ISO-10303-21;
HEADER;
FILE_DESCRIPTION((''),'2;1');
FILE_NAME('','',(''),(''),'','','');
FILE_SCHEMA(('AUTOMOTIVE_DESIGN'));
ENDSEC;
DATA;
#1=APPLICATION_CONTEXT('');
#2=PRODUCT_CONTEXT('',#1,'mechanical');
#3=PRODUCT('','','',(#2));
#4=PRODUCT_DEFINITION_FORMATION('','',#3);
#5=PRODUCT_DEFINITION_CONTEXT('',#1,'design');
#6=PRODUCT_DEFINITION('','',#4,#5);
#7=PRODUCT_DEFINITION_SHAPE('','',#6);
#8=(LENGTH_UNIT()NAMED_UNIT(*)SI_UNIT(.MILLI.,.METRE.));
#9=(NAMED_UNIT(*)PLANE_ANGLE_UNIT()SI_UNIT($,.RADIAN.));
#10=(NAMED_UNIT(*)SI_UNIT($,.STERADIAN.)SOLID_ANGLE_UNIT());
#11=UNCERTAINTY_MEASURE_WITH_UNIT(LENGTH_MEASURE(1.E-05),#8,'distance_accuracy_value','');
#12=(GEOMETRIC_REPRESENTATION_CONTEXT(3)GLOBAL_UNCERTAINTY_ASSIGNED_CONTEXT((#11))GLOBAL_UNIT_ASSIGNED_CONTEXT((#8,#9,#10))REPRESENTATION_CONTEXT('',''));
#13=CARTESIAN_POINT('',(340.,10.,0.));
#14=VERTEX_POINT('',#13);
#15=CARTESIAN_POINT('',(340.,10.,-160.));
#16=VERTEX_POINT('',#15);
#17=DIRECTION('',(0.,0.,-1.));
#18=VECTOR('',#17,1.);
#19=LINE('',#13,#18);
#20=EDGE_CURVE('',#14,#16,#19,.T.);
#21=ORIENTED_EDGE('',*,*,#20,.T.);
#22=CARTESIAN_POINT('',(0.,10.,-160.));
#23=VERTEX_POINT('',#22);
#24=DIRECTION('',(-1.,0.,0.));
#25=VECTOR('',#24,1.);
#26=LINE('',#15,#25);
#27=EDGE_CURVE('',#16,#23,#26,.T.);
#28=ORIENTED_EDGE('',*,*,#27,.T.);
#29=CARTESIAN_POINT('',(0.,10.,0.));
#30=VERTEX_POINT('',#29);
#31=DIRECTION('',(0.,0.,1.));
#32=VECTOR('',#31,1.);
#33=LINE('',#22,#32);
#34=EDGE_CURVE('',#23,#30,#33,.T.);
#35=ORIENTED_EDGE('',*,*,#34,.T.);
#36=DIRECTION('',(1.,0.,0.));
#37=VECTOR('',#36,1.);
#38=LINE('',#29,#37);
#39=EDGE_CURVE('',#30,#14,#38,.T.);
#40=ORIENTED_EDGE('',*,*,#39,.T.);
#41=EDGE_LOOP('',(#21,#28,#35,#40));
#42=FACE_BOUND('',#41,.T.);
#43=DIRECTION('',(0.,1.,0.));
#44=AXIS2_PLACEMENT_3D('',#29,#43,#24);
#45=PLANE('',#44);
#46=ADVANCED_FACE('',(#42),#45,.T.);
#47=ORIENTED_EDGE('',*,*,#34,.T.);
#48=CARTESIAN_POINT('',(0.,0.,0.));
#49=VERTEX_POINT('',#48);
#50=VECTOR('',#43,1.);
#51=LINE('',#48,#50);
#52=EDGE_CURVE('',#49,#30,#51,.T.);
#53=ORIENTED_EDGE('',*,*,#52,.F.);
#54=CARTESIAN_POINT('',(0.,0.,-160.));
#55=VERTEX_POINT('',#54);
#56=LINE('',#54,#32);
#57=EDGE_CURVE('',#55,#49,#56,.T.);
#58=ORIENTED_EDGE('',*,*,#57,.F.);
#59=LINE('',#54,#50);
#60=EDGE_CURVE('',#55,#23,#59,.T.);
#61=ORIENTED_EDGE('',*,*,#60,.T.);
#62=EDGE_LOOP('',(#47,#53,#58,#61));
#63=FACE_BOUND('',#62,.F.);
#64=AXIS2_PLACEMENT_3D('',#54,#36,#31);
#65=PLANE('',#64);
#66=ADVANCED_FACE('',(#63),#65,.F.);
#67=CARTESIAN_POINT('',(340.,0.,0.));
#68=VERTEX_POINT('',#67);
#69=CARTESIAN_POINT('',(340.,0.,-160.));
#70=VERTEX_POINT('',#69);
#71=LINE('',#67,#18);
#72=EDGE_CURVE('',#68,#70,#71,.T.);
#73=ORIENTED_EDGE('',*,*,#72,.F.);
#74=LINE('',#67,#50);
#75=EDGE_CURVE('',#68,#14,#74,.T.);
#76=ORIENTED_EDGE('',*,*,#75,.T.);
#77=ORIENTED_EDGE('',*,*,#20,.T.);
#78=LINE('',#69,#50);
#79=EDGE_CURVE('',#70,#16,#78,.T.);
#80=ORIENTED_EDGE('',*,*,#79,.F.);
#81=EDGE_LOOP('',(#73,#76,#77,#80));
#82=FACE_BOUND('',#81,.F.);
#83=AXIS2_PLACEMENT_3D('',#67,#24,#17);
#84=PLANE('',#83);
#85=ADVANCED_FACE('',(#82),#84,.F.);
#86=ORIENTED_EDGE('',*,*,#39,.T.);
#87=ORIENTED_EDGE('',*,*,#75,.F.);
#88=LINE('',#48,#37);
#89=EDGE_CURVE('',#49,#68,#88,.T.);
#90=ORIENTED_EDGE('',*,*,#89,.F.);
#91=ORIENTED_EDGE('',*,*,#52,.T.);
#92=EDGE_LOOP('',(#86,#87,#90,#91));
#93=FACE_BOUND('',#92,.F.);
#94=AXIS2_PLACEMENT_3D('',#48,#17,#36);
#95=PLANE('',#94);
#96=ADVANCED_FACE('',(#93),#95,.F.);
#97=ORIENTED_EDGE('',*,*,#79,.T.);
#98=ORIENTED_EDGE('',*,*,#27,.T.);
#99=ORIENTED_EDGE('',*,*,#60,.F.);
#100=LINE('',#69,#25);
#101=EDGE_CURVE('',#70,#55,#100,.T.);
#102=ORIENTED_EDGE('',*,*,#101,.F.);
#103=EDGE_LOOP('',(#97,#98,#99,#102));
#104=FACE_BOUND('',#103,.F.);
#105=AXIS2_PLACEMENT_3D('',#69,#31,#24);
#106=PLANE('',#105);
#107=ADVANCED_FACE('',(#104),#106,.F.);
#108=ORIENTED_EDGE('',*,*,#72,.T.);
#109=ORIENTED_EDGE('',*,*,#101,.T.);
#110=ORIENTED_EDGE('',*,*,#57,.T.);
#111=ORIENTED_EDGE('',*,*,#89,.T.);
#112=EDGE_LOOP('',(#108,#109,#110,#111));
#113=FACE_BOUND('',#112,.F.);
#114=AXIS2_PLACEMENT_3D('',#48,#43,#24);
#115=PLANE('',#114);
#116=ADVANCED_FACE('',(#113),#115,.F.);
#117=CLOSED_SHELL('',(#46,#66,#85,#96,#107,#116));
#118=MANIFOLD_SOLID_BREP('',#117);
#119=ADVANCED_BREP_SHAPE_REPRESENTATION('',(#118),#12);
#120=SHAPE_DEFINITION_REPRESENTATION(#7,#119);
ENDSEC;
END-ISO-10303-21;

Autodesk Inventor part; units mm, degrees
ref_plane "YZ Plane" through (0, 0, 0) normal (1, 0, 0) x (0, 1, 0)
ref_plane "XZ Plane" through (0, 0, 0) normal (0, 1, 0) x (-1, 0, 0)
ref_plane "XY Plane" through (0, 0, 0) normal (0, 0, 1) x (1, 0, 0)
sketch "Sketch1" plane through (0, 0, 0) normal (0, 1, 0) x (-1, 0, 0)
  line L0 (0, 0) -> (-340, 0)
  line L1 (-340, 0) -> (-340, -160)
  line L2 (-340, -160) -> (0, -160)
  line L3 (0, -160) -> (0, 0)
  dimension "d0" = 340
  dimension "d1" = 160
extrude "Extrusion1" add sketch "Sketch1" along normal blind 10
properties part number "cnc bed"
